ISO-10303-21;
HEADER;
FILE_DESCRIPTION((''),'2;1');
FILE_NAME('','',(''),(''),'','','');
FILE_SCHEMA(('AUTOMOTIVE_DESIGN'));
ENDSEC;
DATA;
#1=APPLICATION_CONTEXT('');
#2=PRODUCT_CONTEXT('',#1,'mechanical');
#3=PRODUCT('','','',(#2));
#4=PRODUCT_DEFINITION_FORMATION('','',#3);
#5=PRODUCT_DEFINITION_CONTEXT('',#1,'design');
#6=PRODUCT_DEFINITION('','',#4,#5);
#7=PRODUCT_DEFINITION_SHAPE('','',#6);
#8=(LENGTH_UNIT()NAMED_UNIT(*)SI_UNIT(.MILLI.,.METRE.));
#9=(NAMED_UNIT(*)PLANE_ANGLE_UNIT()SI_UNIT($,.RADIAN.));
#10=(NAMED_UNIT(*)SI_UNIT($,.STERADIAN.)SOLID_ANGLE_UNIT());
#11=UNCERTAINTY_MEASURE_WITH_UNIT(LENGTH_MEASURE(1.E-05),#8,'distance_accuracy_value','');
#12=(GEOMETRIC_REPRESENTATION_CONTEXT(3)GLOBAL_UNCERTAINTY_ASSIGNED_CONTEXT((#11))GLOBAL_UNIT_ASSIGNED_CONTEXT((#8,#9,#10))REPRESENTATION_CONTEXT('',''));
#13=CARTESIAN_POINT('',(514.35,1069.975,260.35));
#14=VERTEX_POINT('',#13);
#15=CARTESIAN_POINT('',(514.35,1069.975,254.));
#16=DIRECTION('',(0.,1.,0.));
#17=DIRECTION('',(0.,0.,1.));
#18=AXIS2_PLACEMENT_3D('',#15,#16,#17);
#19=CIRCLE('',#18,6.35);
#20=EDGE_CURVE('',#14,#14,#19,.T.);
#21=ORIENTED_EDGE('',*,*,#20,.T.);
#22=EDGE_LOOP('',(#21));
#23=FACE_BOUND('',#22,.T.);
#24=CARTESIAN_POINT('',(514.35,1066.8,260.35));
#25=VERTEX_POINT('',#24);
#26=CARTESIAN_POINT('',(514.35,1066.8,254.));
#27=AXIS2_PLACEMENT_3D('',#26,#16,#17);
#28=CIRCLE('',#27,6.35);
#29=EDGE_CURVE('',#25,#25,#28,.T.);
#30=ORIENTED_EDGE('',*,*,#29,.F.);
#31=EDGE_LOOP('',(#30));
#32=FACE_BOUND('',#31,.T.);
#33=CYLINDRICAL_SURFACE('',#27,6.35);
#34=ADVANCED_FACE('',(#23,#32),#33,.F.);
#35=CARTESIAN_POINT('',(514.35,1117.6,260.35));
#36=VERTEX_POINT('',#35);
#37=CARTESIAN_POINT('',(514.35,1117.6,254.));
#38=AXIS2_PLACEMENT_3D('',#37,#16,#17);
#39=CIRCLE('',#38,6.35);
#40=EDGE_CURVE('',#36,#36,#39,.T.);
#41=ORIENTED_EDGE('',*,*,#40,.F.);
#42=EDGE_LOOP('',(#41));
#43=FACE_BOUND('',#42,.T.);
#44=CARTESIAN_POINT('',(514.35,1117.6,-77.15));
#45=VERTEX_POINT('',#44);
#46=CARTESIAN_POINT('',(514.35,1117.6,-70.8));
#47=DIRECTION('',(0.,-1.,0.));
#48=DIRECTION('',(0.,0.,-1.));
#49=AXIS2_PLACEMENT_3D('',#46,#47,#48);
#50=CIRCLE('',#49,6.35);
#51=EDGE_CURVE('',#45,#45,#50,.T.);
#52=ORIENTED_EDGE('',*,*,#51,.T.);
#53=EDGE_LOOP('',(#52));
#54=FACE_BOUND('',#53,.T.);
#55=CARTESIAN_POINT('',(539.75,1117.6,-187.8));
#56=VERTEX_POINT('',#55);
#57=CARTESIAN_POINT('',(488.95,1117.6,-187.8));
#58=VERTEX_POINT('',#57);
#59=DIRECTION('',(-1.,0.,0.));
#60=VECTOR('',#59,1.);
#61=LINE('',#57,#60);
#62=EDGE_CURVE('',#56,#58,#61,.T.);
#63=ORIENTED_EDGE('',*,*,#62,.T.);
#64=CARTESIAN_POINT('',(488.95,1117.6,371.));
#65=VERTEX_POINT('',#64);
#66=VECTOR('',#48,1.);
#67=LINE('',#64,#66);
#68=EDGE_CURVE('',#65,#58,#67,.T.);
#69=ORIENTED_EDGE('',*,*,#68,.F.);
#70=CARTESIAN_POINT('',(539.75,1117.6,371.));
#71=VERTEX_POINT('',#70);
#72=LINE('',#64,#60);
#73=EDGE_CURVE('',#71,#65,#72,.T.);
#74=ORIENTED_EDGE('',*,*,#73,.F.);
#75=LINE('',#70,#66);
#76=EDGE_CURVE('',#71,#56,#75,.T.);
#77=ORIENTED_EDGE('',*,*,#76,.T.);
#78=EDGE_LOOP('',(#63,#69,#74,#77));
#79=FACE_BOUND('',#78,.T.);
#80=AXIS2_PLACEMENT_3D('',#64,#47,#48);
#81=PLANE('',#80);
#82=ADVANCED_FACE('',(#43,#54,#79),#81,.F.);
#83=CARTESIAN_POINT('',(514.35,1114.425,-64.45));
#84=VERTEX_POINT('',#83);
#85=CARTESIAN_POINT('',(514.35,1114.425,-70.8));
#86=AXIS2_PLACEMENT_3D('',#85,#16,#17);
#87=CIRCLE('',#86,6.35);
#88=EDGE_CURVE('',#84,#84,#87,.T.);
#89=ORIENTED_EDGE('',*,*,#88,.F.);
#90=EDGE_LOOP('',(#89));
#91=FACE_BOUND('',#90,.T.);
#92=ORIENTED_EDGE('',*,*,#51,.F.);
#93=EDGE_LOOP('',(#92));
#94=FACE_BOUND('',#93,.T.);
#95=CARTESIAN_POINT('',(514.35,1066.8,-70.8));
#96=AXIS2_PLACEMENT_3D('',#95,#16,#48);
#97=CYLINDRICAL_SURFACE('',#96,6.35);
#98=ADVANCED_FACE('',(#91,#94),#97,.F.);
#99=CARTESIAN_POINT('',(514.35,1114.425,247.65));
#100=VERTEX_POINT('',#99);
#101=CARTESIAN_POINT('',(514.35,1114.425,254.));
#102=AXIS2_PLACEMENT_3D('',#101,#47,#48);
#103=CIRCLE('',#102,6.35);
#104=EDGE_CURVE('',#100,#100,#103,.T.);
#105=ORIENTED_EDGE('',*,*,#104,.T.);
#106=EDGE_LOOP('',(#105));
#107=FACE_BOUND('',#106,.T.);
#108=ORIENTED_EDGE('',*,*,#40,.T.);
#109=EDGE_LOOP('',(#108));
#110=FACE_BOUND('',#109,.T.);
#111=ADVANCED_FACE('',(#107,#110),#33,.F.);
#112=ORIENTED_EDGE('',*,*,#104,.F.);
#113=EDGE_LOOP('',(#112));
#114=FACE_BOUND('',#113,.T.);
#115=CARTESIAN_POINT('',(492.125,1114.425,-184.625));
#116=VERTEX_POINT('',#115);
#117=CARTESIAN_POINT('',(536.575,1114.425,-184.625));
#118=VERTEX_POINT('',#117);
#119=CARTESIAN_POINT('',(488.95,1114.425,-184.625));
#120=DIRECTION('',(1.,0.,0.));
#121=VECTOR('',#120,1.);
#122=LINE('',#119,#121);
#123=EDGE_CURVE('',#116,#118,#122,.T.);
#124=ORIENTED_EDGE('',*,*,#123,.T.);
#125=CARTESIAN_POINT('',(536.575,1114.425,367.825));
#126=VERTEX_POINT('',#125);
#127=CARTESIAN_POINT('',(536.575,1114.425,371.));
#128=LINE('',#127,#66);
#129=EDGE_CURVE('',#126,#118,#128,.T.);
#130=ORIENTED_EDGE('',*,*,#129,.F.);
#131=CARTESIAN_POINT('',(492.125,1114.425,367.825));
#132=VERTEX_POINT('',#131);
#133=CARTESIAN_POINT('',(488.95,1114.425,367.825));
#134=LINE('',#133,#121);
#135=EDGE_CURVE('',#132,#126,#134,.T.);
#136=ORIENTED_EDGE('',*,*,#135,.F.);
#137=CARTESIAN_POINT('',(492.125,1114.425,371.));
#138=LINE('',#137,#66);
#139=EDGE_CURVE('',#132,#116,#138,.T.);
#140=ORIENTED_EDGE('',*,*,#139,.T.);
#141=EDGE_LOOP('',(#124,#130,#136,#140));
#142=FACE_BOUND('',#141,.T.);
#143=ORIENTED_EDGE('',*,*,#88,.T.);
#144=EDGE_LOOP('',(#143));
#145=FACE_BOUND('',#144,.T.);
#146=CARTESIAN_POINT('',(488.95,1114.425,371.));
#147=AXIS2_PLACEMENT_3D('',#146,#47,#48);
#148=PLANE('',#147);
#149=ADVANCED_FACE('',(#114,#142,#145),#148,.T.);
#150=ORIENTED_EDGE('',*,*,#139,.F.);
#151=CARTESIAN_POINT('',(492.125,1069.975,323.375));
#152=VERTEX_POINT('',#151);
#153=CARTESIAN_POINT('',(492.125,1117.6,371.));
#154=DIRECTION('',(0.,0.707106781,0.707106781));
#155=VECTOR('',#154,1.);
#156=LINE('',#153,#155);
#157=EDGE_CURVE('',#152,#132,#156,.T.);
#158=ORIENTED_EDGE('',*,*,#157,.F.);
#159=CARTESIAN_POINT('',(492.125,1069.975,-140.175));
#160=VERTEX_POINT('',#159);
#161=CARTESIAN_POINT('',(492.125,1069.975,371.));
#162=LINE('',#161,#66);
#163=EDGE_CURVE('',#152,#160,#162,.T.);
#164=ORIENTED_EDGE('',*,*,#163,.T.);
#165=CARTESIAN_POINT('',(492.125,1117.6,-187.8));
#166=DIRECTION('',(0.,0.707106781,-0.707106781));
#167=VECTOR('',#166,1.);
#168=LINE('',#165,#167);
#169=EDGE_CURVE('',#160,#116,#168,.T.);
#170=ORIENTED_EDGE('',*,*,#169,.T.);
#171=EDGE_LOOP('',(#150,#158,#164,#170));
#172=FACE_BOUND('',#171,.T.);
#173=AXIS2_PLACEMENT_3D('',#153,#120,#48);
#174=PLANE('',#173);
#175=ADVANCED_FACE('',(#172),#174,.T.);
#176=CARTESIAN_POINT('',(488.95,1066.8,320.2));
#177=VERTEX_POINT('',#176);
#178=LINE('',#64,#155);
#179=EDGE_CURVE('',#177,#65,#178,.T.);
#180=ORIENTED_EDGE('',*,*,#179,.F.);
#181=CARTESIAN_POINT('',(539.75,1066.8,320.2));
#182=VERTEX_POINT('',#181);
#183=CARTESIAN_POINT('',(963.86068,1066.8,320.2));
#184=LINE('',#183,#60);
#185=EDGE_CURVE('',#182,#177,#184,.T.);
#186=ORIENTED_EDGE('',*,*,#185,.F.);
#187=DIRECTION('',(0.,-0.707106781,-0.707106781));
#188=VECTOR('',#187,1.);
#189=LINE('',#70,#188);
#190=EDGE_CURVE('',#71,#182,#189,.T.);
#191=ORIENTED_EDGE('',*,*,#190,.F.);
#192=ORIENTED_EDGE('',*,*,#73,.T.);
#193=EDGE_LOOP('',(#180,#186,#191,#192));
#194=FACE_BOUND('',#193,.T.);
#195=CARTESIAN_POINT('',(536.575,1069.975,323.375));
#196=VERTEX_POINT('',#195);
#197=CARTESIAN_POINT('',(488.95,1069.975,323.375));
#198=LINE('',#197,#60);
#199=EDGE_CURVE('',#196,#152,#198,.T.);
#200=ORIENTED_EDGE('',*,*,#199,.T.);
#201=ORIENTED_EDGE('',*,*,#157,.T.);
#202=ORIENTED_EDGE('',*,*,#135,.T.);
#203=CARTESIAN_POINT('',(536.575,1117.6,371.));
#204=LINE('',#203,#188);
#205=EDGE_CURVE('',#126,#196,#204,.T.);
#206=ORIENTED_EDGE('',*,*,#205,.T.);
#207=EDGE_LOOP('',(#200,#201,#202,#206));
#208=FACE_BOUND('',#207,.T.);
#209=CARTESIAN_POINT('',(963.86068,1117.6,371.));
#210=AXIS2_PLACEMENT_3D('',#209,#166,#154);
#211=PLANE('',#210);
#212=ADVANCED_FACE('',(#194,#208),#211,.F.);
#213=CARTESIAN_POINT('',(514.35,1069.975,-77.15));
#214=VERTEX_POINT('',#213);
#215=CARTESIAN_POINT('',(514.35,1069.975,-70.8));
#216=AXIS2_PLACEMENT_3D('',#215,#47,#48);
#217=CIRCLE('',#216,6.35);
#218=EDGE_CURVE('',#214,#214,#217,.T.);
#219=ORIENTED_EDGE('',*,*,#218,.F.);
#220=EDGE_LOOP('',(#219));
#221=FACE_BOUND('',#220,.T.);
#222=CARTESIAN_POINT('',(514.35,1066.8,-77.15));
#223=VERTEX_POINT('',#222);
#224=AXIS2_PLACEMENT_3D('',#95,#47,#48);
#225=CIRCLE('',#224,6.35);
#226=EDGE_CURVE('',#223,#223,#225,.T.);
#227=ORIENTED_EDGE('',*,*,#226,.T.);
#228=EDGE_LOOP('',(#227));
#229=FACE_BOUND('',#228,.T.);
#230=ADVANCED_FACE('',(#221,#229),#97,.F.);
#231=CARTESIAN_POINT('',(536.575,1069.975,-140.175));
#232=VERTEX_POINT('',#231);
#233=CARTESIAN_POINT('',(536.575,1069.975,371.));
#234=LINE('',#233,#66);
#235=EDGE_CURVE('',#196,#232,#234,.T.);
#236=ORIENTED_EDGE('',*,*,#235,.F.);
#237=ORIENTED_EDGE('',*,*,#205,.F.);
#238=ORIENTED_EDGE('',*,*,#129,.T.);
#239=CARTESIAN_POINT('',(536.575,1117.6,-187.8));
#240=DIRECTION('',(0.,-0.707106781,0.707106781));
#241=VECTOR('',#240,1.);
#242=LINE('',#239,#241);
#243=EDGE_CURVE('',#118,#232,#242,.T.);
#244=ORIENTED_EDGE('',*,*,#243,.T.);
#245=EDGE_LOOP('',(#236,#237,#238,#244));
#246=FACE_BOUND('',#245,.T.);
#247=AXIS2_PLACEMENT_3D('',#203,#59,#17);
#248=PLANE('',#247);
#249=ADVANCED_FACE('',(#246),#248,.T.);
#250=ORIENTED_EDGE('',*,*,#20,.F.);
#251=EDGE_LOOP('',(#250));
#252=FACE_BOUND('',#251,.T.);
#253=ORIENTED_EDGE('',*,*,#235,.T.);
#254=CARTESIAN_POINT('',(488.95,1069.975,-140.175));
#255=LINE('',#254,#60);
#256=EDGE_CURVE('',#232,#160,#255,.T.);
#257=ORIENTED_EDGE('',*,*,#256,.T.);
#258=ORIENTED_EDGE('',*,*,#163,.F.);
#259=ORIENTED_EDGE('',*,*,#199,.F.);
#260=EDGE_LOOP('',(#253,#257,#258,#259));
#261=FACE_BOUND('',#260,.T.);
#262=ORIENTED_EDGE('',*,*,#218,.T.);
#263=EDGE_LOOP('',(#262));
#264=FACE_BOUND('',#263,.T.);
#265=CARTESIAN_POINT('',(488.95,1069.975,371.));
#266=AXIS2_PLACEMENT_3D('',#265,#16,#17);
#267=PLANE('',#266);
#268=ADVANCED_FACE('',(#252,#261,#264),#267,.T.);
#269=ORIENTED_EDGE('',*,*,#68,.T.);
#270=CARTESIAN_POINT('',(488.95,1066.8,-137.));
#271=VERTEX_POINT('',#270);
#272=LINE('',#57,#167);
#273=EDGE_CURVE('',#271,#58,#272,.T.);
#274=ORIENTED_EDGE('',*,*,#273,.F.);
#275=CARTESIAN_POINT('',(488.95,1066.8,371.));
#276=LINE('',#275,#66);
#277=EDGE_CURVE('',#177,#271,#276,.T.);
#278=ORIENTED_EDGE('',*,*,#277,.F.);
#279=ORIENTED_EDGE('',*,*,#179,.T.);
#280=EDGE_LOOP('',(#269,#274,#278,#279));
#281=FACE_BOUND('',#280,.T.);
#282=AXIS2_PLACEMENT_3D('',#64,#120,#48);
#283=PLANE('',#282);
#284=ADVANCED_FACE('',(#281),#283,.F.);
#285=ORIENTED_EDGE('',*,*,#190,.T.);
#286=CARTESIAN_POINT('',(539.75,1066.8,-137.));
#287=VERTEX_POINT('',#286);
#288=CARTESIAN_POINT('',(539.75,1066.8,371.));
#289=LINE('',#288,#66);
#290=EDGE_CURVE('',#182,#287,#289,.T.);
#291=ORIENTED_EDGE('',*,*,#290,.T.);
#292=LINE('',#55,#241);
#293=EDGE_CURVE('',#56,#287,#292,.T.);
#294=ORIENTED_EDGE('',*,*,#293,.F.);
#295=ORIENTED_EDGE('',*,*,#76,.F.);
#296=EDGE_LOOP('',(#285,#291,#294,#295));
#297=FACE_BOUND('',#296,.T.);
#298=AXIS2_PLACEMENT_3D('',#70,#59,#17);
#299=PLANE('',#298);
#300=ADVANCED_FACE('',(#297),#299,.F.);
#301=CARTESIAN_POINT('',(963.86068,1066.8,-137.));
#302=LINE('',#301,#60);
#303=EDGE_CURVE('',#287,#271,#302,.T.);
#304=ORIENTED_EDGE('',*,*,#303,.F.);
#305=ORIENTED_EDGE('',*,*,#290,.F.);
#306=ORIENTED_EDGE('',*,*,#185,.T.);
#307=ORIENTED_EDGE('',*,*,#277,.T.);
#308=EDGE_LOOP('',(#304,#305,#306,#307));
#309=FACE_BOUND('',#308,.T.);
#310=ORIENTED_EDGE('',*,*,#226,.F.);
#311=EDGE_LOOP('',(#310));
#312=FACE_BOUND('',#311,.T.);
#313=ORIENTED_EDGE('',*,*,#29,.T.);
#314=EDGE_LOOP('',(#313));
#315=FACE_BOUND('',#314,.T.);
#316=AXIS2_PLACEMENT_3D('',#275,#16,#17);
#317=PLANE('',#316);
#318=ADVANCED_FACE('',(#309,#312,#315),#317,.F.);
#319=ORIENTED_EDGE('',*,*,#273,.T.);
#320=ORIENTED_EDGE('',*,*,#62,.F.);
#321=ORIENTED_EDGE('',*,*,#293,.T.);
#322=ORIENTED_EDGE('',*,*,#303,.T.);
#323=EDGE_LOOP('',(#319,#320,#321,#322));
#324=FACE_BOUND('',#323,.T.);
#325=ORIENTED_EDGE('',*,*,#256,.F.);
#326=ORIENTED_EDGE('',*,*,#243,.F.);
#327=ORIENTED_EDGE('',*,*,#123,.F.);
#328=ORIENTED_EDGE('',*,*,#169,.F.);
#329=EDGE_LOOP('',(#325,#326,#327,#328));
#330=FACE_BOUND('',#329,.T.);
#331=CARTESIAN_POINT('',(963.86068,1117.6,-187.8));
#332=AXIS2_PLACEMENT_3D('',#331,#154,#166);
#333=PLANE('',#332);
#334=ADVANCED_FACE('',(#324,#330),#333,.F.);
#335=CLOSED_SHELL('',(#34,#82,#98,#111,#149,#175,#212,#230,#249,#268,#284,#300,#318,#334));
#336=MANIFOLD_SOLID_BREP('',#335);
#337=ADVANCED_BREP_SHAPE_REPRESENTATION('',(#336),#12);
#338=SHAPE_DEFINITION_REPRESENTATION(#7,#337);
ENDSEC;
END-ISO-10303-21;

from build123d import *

# Parameters (mm, degrees)
SKETCH1_W           = 50.8
SKETCH1_H           = 50.8
SKETCH1_W_2         = 44.45
SKETCH1_H_2         = 44.45
EXTRUDE_THIN1_DEPTH = 279.4
CUT_EXTRUDE1_START  = -51.8
CUT_EXTRUDE1_DEPTH  = 52.8
SKETCH3_R           = 6.35
CUT_EXTRUDE2_DEPTH  = 51.8


with BuildPart() as part:
    # Sketch1 → Extrude-Thin1 (new body)
    with BuildSketch(Plane.XY.offset(91.6)):
        with Locations((514.35, 1092.2)):
            Rectangle(SKETCH1_W, SKETCH1_H)
        with Locations((514.35, 1092.2)):
            Rectangle(SKETCH1_W_2, SKETCH1_H_2, mode=Mode.SUBTRACT)
    extrude_thin1 = extrude(amount=EXTRUDE_THIN1_DEPTH)

    # Sketch2 → Cut-Extrude1 (cut)
    with BuildSketch(Plane(origin=(539.75, 0, 0), x_dir=(0, 0, -1), z_dir=(1, 0, 0)).offset(CUT_EXTRUDE1_START)):
        Polygon((-779.680330653, 1526.280330653), (-371, 1117.6), (-320.2, 1066.8), (88.480330653, 658.119669347), (-728.880330653, -159.24099196), (-1597.04099196, 708.919669347), align=None)
    cut_extrude1 = extrude(amount=CUT_EXTRUDE1_DEPTH, mode=Mode.SUBTRACT)

    # Sketch3 → Cut-Extrude2 (cut, through all)
    with BuildSketch(Plane(origin=(0, 1117.6, 0), x_dir=(1, 0, 0), z_dir=(0, 1, 0))):
        with Locations((514.35, -254)):
            Circle(SKETCH3_R)
        with Locations((507.848069556, 254)):
            Circle(SKETCH3_R)
    cut_extrude2 = extrude(amount=-CUT_EXTRUDE2_DEPTH, mode=Mode.SUBTRACT)

    # Mirror1: Extrude-Thin1, Cut-Extrude1, Cut-Extrude2 across plane
    add(extrude_thin1.mirror(Plane(origin=(488.95, 1066.8, 91.6), x_dir=(1, 0, 0), z_dir=(0, 0, 1))))
    add(cut_extrude1.mirror(Plane(origin=(488.95, 1066.8, 91.6), x_dir=(1, 0, 0), z_dir=(0, 0, 1))), mode=Mode.SUBTRACT)
    add(cut_extrude2.mirror(Plane(origin=(488.95, 1066.8, 91.6), x_dir=(1, 0, 0), z_dir=(0, 0, 1))), mode=Mode.SUBTRACT)


solid = part.part
